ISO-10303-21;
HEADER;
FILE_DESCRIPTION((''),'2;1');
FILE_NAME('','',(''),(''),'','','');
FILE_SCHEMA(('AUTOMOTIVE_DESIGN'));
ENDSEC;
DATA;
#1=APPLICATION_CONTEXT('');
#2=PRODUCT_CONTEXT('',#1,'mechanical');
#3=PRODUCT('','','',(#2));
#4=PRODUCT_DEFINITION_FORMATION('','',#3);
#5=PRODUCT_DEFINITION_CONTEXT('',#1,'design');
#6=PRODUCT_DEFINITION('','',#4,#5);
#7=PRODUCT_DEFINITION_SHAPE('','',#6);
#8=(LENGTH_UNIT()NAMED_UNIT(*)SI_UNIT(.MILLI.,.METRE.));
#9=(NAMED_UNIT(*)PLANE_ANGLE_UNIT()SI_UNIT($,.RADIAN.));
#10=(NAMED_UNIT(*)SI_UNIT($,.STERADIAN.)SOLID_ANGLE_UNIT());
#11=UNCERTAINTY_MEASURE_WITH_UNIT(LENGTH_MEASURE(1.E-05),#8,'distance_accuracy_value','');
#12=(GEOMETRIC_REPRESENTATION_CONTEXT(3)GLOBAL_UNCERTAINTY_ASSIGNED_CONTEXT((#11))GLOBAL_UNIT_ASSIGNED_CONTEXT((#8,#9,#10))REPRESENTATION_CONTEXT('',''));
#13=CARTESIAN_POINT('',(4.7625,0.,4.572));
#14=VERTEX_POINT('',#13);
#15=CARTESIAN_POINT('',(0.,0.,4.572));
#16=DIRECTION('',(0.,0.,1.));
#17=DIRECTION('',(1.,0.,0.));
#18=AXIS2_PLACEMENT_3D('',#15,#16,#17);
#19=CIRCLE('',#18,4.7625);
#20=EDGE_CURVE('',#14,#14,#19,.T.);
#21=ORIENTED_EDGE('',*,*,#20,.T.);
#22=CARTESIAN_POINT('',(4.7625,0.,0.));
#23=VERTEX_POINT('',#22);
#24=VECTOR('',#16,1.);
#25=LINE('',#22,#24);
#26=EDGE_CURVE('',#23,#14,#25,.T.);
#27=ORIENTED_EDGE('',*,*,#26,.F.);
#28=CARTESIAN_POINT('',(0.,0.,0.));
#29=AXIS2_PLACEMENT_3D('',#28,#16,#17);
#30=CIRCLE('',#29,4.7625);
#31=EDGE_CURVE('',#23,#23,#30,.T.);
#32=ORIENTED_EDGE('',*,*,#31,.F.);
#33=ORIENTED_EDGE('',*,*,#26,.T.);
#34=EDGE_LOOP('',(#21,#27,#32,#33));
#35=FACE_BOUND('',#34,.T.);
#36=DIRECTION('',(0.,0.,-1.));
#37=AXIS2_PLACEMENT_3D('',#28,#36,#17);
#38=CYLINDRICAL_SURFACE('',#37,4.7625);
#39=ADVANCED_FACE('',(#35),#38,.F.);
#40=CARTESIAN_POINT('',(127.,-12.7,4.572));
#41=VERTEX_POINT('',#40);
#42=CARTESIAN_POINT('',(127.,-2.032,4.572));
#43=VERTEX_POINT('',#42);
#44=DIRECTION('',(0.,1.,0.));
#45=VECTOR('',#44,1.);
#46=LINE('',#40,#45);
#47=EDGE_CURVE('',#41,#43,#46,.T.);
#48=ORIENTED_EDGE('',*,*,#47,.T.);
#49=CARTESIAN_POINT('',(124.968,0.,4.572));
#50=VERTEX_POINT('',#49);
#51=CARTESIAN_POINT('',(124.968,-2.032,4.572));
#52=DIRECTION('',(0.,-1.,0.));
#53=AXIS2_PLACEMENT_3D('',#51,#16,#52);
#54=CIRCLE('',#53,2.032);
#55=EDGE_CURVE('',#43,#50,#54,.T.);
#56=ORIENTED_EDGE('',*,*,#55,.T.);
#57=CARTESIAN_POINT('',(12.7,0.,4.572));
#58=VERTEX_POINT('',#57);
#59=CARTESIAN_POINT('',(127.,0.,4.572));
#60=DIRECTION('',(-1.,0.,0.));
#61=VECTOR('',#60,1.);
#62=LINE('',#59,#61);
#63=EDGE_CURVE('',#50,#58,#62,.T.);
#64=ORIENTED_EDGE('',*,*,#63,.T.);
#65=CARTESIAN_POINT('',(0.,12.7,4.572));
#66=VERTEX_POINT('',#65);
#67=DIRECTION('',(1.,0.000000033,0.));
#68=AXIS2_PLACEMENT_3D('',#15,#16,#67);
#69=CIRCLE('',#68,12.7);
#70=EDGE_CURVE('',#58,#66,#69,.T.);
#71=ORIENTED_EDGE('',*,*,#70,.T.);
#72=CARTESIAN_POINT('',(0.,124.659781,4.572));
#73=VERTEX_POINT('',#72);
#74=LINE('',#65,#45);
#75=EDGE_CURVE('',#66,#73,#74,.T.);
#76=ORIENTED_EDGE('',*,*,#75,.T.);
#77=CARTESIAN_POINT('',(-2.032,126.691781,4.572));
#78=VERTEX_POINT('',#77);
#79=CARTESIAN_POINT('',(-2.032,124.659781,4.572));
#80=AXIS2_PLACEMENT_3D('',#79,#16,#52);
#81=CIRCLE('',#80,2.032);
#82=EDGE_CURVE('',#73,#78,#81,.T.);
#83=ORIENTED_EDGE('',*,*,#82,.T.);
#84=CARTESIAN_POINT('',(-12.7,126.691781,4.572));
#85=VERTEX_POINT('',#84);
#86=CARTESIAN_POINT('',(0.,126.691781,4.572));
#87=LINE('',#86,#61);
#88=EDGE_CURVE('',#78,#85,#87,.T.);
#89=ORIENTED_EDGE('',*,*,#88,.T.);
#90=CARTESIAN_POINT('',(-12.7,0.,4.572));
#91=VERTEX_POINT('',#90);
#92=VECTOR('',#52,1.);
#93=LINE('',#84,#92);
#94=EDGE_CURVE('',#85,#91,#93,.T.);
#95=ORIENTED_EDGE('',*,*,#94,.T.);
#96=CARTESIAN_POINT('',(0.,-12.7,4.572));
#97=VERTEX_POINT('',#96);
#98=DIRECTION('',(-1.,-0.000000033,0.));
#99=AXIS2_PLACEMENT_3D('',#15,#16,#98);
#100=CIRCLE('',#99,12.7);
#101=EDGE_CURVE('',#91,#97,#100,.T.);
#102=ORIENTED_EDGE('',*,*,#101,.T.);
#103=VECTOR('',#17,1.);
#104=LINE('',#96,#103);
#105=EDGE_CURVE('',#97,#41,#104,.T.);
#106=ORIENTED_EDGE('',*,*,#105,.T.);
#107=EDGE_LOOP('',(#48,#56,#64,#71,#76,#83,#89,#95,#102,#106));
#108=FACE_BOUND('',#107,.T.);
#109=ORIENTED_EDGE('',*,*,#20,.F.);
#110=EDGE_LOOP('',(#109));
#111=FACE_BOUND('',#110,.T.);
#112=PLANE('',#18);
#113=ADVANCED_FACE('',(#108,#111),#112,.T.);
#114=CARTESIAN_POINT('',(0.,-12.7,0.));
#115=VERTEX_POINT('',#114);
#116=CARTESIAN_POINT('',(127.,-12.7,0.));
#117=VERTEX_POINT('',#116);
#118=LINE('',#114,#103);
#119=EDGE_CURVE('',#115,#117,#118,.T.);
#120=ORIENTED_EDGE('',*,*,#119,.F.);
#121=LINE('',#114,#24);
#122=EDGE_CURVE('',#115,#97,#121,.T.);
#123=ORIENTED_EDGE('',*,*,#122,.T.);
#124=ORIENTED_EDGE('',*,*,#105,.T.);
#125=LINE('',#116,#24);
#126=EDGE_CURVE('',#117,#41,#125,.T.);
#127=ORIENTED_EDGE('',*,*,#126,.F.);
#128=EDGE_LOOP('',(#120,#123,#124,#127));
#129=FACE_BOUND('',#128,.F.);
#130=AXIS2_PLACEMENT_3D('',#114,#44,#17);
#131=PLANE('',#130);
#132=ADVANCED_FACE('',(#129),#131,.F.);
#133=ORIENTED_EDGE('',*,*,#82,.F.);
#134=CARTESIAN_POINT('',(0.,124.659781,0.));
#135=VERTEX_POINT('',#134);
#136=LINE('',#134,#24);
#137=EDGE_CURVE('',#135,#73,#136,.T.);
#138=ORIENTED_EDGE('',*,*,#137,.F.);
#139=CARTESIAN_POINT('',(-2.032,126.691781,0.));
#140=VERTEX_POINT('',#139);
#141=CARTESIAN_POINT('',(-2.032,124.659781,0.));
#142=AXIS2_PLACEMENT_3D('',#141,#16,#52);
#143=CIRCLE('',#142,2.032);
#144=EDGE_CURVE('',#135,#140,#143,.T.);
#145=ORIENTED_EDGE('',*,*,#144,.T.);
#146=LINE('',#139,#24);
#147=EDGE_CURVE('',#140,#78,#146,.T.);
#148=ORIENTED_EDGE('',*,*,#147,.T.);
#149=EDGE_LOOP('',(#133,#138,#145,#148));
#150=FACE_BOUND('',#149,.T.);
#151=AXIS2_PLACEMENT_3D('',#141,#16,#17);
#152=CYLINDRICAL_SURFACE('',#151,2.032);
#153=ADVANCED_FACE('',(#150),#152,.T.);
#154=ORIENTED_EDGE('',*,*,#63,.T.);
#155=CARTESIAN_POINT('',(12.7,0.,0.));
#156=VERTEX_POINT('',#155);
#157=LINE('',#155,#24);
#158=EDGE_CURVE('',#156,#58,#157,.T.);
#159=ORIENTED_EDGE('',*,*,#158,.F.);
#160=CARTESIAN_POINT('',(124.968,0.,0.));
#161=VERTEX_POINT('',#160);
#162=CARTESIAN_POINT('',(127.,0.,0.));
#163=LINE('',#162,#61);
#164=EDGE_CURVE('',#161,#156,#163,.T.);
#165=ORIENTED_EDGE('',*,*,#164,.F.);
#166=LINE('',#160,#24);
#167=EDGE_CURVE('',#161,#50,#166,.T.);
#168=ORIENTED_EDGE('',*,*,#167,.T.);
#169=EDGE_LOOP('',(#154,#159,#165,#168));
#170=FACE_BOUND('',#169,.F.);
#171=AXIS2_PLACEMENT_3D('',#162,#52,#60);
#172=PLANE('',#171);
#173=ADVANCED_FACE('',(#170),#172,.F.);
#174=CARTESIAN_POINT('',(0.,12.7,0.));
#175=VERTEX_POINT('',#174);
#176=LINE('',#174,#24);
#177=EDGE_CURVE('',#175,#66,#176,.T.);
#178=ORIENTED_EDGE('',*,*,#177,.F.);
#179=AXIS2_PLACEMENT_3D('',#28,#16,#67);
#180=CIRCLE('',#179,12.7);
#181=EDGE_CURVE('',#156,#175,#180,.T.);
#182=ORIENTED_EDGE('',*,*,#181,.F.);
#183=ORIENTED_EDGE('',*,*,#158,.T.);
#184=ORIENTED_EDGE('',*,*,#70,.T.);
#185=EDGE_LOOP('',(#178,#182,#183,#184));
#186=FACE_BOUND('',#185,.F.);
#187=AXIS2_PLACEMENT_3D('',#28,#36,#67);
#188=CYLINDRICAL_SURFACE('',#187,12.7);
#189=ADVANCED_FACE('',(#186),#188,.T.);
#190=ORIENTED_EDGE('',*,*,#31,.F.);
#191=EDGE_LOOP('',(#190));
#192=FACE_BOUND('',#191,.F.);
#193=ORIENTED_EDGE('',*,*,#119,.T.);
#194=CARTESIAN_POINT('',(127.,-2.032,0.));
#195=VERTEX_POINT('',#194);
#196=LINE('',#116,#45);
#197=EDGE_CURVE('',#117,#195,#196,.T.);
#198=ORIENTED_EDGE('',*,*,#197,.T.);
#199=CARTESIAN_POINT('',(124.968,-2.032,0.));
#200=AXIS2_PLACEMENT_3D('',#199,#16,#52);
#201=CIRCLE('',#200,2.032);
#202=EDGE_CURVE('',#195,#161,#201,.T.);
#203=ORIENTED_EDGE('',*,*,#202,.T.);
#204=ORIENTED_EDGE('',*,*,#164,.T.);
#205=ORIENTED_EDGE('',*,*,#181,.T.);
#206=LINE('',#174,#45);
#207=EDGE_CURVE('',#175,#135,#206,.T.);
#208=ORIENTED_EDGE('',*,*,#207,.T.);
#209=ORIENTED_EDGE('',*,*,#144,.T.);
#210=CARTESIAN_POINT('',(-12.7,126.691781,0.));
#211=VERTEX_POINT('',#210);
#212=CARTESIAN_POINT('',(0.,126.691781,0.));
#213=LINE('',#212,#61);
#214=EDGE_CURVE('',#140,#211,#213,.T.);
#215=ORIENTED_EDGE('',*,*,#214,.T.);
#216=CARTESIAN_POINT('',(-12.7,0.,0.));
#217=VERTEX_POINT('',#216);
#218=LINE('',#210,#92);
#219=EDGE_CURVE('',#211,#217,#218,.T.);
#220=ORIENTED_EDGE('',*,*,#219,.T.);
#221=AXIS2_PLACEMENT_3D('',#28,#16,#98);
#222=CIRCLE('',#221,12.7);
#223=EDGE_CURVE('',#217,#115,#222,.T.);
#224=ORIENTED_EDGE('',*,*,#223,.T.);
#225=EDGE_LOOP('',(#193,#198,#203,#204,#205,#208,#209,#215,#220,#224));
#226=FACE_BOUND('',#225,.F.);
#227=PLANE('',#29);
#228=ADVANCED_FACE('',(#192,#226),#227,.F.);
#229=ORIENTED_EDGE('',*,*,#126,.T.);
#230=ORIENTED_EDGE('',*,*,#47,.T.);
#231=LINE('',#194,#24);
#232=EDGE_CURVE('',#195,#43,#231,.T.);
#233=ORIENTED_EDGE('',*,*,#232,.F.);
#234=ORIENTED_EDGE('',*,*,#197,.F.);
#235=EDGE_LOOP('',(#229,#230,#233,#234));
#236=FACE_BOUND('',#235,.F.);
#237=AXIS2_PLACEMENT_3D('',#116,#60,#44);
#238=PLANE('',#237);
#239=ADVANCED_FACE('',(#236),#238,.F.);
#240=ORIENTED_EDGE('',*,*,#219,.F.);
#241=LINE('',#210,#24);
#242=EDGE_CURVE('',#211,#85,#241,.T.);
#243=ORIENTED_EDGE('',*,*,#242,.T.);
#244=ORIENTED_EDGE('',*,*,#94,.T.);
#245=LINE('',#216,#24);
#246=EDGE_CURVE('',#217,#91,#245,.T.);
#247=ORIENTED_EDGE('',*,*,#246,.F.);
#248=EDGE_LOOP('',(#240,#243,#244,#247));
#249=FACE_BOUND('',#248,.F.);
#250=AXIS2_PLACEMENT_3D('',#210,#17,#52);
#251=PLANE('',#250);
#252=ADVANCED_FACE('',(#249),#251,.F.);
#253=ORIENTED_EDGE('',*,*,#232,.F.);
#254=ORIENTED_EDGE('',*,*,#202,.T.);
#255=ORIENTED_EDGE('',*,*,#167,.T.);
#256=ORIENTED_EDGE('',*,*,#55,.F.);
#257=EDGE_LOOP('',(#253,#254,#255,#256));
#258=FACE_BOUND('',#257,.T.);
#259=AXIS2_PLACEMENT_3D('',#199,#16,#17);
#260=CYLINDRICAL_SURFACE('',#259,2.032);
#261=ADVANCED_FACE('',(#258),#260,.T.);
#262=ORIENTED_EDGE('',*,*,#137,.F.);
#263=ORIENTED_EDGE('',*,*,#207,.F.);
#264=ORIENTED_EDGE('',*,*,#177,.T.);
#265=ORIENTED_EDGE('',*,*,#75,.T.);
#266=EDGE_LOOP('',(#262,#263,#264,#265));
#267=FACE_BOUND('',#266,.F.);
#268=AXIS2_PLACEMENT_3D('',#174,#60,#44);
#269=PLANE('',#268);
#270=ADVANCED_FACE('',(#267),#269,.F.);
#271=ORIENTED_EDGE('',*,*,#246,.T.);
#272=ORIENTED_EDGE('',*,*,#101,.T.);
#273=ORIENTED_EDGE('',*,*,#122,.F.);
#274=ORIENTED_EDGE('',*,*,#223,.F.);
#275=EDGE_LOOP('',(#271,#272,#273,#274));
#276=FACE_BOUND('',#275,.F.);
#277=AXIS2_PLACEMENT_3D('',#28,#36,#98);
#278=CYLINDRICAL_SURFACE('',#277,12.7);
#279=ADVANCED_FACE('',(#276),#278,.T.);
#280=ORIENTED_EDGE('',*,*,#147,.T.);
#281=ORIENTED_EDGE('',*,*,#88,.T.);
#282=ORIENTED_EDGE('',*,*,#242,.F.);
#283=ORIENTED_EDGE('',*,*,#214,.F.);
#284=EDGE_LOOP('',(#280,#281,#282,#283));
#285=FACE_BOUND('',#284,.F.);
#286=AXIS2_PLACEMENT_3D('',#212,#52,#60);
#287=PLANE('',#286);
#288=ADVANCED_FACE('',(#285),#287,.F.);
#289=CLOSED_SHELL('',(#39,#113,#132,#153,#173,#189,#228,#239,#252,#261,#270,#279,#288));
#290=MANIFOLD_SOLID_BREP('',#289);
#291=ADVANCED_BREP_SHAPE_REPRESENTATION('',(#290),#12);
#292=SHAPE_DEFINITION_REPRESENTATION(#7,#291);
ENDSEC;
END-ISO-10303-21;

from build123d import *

# Parameters (mm, degrees)
F0_R     = 4.7625
F1_DEPTH = 4.572
F2_R     = 2.032


with BuildPart() as f1:
    # F0 (on Top) → F1 (new body)
    with BuildSketch(Plane.XY):
        with BuildLine():
            ThreePointArc((0, -12.7), (8.980256, -8.980256), (12.7, 0))
            ThreePointArc((12.7, 0), (8.980256, 8.980256), (0, 12.7))
            ThreePointArc((0, 12.7), (-8.980256, 8.980256), (-12.7, 0))
            ThreePointArc((-12.7, 0), (-8.980256, -8.980256), (0, -12.7))
        make_face()
        Circle(F0_R, mode=Mode.SUBTRACT)
        with BuildLine():
            Line((127, 0), (12.7, 0))
            ThreePointArc((12.7, 0), (8.980256, -8.980256), (0, -12.7))
            Line((0, -12.7), (127, -12.7))
            Line((127, -12.7), (127, 0))
        make_face()
        with BuildLine():
            ThreePointArc((-12.7, 0), (-8.980256, 8.980256), (0, 12.7))
            Line((0, 12.7), (0, 126.691781))
            Line((0, 126.691781), (-12.7, 126.691781))
            Line((-12.7, 126.691781), (-12.7, 0))
        make_face()
    extrude(amount=F1_DEPTH)

    # F2
    f2_edges = [f1.edges().sort_by_distance(p)[0] for p in [
        (0, 126.691781, 2.286),
        (127, 0, 2.286),
    ]]
    fillet(f2_edges, radius=F2_R)


solid = f1.part
